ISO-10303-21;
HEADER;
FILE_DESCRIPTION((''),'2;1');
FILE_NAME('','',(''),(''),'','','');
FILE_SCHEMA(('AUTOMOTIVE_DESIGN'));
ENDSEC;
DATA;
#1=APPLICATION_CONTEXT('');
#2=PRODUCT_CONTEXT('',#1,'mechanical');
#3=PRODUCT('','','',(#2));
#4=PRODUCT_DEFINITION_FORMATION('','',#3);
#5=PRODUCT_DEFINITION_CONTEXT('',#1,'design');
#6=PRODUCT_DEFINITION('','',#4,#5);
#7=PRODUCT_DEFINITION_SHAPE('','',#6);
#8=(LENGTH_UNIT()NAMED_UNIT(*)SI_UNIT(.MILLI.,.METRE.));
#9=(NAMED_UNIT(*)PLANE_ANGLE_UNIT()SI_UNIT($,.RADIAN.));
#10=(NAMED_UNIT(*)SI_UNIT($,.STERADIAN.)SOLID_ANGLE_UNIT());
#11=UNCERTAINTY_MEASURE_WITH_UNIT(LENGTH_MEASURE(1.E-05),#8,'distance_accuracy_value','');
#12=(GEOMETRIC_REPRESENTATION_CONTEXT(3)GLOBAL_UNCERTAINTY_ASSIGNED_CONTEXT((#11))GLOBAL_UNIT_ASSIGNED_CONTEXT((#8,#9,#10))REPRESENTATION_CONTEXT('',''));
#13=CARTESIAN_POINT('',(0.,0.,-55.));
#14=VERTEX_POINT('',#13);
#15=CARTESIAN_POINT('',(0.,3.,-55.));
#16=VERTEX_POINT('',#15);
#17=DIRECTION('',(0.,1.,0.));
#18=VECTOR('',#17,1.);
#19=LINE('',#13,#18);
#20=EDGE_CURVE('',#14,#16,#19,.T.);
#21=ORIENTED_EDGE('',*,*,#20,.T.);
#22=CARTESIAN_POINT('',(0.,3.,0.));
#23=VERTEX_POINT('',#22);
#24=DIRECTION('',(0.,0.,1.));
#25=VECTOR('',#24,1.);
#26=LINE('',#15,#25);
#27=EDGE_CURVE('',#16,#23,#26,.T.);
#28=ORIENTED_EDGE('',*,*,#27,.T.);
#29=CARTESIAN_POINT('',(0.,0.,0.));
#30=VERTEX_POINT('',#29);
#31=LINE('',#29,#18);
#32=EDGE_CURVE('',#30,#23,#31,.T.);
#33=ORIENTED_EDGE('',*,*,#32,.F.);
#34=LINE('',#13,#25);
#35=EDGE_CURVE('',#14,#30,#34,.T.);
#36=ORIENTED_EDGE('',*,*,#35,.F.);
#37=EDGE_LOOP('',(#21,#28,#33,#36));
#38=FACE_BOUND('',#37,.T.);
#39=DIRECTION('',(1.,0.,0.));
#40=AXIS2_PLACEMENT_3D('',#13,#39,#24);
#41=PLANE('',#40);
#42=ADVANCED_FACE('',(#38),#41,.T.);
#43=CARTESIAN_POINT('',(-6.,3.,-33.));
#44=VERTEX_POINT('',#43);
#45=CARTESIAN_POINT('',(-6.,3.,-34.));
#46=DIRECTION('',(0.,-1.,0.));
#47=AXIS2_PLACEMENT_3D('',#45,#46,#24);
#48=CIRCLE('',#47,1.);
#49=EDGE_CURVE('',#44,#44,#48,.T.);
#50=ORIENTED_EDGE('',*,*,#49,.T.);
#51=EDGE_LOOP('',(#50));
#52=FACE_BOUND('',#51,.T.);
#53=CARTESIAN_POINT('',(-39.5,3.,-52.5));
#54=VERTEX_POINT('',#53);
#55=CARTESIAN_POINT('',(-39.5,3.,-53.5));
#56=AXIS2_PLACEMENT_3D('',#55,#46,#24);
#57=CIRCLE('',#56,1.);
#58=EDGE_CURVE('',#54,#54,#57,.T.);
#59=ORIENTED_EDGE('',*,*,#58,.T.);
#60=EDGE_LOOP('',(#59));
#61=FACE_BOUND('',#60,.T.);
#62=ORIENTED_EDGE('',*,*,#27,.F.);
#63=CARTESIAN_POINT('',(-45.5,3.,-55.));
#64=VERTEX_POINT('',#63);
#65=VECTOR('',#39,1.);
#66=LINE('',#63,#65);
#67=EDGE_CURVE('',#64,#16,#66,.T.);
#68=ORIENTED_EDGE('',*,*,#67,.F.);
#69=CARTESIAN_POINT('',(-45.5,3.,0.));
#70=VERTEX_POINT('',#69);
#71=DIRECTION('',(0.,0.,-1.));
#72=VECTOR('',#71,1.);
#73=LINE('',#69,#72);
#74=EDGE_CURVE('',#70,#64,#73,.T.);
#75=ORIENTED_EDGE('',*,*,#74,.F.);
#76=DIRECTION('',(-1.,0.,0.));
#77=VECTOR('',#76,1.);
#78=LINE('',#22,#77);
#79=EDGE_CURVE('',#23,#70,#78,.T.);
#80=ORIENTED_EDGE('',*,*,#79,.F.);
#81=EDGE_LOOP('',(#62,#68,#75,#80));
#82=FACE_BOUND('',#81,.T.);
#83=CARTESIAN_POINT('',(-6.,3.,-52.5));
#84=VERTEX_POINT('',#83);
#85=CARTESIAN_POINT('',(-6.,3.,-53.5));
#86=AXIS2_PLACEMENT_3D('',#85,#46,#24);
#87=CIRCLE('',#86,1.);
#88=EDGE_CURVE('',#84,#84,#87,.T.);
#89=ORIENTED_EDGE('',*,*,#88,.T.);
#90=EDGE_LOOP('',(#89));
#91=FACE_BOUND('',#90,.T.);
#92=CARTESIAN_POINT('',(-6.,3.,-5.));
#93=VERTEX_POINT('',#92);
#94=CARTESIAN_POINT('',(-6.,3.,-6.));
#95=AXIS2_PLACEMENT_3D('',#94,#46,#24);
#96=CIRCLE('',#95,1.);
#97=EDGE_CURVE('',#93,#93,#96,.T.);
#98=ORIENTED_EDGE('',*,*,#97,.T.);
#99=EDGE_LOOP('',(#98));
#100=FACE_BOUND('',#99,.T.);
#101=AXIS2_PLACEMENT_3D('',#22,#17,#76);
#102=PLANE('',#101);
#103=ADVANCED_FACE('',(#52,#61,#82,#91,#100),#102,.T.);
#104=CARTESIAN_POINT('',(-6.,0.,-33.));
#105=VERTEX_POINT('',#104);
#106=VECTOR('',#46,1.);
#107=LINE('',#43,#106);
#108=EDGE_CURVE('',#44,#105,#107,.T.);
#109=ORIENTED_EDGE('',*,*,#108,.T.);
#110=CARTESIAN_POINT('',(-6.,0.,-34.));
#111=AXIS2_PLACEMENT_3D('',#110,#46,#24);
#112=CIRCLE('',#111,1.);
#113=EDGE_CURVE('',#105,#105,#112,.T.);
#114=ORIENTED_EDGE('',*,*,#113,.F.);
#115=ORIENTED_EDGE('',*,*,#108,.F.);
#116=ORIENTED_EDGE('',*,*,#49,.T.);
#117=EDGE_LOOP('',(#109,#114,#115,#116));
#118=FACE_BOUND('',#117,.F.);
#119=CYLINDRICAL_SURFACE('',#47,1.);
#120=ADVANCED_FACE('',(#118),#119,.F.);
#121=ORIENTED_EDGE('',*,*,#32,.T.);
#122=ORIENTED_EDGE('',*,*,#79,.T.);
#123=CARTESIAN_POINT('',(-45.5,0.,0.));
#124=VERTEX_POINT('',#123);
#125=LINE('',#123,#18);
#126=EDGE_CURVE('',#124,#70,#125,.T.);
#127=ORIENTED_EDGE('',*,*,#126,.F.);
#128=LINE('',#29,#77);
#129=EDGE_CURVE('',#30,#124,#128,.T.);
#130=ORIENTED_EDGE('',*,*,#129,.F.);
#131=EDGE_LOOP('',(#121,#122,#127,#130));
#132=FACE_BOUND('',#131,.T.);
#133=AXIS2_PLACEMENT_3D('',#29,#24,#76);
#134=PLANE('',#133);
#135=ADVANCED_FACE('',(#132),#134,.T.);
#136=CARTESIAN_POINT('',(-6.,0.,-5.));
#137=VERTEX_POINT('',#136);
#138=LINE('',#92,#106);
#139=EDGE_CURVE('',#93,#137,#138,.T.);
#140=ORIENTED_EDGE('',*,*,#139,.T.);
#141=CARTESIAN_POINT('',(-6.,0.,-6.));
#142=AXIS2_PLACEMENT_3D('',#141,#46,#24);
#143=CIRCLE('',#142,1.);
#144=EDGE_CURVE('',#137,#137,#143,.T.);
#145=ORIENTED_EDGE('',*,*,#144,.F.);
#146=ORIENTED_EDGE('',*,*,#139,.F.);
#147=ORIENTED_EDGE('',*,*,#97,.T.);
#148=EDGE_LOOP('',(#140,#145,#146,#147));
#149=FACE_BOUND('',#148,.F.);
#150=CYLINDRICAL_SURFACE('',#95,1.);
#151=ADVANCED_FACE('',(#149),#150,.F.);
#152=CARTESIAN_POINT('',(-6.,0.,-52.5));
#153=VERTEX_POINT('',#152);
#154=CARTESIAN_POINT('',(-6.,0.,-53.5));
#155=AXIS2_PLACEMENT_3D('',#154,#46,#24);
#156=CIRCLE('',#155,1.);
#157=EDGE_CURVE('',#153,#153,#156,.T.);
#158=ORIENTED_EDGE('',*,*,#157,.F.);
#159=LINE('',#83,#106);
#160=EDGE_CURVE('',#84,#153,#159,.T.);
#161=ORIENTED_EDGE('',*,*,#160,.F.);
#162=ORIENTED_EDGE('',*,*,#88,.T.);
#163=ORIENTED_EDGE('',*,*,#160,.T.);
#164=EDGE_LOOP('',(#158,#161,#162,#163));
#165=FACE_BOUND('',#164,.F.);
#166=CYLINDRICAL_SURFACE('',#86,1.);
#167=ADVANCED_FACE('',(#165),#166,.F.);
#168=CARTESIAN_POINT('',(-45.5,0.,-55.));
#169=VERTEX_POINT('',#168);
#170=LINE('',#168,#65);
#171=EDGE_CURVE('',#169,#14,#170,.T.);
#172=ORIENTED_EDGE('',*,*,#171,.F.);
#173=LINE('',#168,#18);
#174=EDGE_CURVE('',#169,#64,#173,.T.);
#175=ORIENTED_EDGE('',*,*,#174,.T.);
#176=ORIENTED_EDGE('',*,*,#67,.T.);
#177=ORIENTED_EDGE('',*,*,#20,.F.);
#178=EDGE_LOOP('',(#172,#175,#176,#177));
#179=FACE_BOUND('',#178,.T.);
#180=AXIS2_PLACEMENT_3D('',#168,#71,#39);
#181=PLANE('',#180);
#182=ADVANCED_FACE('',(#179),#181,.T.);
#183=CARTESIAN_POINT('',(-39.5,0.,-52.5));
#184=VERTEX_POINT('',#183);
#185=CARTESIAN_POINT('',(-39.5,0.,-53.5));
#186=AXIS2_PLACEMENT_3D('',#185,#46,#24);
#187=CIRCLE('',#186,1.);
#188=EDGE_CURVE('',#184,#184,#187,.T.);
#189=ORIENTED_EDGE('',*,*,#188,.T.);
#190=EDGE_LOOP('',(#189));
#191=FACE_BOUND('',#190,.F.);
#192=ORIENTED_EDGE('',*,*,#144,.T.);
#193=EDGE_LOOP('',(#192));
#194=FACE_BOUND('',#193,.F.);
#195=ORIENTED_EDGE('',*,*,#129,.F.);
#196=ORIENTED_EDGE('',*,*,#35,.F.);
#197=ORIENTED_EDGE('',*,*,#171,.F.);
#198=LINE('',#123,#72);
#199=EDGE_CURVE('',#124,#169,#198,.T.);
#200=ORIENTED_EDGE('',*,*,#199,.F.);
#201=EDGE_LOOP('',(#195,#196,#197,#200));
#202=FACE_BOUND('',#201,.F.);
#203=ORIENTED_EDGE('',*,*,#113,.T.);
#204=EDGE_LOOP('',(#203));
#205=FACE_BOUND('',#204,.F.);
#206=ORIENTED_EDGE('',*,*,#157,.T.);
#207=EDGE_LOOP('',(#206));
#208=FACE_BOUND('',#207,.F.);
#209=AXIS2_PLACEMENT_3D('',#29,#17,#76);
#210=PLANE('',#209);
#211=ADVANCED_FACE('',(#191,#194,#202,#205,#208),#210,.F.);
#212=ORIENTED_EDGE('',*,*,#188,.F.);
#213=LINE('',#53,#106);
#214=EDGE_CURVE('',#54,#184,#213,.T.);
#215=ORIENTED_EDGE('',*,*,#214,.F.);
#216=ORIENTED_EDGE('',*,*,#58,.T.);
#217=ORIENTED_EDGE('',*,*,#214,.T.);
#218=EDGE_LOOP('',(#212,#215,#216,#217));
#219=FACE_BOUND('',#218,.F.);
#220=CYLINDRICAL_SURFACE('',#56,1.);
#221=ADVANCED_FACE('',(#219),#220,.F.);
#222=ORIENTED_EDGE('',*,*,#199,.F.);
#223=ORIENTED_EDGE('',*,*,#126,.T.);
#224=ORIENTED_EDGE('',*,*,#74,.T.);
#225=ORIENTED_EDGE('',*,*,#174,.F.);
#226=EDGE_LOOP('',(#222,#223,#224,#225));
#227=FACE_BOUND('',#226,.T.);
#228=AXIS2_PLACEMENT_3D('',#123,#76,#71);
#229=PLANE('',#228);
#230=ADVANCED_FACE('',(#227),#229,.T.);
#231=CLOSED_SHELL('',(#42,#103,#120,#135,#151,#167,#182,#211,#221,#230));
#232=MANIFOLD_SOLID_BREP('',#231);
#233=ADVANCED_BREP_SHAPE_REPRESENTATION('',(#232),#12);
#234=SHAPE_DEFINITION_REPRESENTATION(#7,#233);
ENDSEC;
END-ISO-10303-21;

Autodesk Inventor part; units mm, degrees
ref_plane "YZ Plane" through (0, 0, 0) normal (1, 0, 0) x (0, 1, 0)
ref_plane "XZ Plane" through (0, 0, 0) normal (0, 1, 0) x (-1, 0, 0)
ref_plane "XY Plane" through (0, 0, 0) normal (0, 0, 1) x (1, 0, 0)
sketch "Sketch1" plane through (0, 0, 0) normal (0, 1, 0) x (-1, 0, 0)
  line L0 (0, 0) -> (45.5, 0)
  line L1 (45.5, 0) -> (45.5, -55)
  line L2 (45.5, -55) -> (0, -55)
  line L3 (0, -55) -> (0, 0)
  dimension "d0" = 45.5
  dimension "d1" = 55
extrude "Extrusion1" add sketch "Sketch1" along normal blind 3
sketch "Sketch2" plane through (0, 3, 0) normal (0, 1, 0) x (1, 0, 0)
  line L0 (-45.5, 55) -> (-45.5, 0) projected
  line L1 (-45.5, 40) -> (0, 40)
  line L2 (0, 0) -> (0, 55) projected
  line L3 (0, 55) -> (-45.5, 55) projected
  circle A0 centre (-6, 34) radius 1
  circle A1 centre (-6, 6) radius 1
  line L4 (-45.5, 0) -> (0, 0) projected
  line L5 (0, 55) -> (-45.5, 55)
  line L6 (-45.5, 55) -> (-45.5, 52)
  line L7 (-45.5, 52) -> (0, 52)
  line L8 (0, 52) -> (0, 55)
  circle A2 centre (-6, 53.5) radius 0.5
  line L9 (-22.75, 55) -> (-22.75, 53.5)
  circle A3 centre (-39.5, 53.5) radius 0.5
  dimension "d4" = 15
  dimension "d5" = 2
  dimension "d6" = 6
  dimension "d7" = 6
  dimension "d8" = 2
  dimension "d9" = 6
  dimension "d10" = 6
  dimension "d18" = 3
  dimension "d19" = 1
  dimension "d20" = 6
hole "Hole1" at (-6, 3, -6) at (-6, 3, -34) at (-6, 3, -53.5) at (-39.5, 3, -53.5) direction (0, -1, 0) diameter 2 end through all
sketch "Sketch3" plane through (0, 3, 0) normal (0, 1, 0) x (1, 0, 0)
  point P0 (0, 0)
properties part number "SideSupport" material "Wood (Birch)"
